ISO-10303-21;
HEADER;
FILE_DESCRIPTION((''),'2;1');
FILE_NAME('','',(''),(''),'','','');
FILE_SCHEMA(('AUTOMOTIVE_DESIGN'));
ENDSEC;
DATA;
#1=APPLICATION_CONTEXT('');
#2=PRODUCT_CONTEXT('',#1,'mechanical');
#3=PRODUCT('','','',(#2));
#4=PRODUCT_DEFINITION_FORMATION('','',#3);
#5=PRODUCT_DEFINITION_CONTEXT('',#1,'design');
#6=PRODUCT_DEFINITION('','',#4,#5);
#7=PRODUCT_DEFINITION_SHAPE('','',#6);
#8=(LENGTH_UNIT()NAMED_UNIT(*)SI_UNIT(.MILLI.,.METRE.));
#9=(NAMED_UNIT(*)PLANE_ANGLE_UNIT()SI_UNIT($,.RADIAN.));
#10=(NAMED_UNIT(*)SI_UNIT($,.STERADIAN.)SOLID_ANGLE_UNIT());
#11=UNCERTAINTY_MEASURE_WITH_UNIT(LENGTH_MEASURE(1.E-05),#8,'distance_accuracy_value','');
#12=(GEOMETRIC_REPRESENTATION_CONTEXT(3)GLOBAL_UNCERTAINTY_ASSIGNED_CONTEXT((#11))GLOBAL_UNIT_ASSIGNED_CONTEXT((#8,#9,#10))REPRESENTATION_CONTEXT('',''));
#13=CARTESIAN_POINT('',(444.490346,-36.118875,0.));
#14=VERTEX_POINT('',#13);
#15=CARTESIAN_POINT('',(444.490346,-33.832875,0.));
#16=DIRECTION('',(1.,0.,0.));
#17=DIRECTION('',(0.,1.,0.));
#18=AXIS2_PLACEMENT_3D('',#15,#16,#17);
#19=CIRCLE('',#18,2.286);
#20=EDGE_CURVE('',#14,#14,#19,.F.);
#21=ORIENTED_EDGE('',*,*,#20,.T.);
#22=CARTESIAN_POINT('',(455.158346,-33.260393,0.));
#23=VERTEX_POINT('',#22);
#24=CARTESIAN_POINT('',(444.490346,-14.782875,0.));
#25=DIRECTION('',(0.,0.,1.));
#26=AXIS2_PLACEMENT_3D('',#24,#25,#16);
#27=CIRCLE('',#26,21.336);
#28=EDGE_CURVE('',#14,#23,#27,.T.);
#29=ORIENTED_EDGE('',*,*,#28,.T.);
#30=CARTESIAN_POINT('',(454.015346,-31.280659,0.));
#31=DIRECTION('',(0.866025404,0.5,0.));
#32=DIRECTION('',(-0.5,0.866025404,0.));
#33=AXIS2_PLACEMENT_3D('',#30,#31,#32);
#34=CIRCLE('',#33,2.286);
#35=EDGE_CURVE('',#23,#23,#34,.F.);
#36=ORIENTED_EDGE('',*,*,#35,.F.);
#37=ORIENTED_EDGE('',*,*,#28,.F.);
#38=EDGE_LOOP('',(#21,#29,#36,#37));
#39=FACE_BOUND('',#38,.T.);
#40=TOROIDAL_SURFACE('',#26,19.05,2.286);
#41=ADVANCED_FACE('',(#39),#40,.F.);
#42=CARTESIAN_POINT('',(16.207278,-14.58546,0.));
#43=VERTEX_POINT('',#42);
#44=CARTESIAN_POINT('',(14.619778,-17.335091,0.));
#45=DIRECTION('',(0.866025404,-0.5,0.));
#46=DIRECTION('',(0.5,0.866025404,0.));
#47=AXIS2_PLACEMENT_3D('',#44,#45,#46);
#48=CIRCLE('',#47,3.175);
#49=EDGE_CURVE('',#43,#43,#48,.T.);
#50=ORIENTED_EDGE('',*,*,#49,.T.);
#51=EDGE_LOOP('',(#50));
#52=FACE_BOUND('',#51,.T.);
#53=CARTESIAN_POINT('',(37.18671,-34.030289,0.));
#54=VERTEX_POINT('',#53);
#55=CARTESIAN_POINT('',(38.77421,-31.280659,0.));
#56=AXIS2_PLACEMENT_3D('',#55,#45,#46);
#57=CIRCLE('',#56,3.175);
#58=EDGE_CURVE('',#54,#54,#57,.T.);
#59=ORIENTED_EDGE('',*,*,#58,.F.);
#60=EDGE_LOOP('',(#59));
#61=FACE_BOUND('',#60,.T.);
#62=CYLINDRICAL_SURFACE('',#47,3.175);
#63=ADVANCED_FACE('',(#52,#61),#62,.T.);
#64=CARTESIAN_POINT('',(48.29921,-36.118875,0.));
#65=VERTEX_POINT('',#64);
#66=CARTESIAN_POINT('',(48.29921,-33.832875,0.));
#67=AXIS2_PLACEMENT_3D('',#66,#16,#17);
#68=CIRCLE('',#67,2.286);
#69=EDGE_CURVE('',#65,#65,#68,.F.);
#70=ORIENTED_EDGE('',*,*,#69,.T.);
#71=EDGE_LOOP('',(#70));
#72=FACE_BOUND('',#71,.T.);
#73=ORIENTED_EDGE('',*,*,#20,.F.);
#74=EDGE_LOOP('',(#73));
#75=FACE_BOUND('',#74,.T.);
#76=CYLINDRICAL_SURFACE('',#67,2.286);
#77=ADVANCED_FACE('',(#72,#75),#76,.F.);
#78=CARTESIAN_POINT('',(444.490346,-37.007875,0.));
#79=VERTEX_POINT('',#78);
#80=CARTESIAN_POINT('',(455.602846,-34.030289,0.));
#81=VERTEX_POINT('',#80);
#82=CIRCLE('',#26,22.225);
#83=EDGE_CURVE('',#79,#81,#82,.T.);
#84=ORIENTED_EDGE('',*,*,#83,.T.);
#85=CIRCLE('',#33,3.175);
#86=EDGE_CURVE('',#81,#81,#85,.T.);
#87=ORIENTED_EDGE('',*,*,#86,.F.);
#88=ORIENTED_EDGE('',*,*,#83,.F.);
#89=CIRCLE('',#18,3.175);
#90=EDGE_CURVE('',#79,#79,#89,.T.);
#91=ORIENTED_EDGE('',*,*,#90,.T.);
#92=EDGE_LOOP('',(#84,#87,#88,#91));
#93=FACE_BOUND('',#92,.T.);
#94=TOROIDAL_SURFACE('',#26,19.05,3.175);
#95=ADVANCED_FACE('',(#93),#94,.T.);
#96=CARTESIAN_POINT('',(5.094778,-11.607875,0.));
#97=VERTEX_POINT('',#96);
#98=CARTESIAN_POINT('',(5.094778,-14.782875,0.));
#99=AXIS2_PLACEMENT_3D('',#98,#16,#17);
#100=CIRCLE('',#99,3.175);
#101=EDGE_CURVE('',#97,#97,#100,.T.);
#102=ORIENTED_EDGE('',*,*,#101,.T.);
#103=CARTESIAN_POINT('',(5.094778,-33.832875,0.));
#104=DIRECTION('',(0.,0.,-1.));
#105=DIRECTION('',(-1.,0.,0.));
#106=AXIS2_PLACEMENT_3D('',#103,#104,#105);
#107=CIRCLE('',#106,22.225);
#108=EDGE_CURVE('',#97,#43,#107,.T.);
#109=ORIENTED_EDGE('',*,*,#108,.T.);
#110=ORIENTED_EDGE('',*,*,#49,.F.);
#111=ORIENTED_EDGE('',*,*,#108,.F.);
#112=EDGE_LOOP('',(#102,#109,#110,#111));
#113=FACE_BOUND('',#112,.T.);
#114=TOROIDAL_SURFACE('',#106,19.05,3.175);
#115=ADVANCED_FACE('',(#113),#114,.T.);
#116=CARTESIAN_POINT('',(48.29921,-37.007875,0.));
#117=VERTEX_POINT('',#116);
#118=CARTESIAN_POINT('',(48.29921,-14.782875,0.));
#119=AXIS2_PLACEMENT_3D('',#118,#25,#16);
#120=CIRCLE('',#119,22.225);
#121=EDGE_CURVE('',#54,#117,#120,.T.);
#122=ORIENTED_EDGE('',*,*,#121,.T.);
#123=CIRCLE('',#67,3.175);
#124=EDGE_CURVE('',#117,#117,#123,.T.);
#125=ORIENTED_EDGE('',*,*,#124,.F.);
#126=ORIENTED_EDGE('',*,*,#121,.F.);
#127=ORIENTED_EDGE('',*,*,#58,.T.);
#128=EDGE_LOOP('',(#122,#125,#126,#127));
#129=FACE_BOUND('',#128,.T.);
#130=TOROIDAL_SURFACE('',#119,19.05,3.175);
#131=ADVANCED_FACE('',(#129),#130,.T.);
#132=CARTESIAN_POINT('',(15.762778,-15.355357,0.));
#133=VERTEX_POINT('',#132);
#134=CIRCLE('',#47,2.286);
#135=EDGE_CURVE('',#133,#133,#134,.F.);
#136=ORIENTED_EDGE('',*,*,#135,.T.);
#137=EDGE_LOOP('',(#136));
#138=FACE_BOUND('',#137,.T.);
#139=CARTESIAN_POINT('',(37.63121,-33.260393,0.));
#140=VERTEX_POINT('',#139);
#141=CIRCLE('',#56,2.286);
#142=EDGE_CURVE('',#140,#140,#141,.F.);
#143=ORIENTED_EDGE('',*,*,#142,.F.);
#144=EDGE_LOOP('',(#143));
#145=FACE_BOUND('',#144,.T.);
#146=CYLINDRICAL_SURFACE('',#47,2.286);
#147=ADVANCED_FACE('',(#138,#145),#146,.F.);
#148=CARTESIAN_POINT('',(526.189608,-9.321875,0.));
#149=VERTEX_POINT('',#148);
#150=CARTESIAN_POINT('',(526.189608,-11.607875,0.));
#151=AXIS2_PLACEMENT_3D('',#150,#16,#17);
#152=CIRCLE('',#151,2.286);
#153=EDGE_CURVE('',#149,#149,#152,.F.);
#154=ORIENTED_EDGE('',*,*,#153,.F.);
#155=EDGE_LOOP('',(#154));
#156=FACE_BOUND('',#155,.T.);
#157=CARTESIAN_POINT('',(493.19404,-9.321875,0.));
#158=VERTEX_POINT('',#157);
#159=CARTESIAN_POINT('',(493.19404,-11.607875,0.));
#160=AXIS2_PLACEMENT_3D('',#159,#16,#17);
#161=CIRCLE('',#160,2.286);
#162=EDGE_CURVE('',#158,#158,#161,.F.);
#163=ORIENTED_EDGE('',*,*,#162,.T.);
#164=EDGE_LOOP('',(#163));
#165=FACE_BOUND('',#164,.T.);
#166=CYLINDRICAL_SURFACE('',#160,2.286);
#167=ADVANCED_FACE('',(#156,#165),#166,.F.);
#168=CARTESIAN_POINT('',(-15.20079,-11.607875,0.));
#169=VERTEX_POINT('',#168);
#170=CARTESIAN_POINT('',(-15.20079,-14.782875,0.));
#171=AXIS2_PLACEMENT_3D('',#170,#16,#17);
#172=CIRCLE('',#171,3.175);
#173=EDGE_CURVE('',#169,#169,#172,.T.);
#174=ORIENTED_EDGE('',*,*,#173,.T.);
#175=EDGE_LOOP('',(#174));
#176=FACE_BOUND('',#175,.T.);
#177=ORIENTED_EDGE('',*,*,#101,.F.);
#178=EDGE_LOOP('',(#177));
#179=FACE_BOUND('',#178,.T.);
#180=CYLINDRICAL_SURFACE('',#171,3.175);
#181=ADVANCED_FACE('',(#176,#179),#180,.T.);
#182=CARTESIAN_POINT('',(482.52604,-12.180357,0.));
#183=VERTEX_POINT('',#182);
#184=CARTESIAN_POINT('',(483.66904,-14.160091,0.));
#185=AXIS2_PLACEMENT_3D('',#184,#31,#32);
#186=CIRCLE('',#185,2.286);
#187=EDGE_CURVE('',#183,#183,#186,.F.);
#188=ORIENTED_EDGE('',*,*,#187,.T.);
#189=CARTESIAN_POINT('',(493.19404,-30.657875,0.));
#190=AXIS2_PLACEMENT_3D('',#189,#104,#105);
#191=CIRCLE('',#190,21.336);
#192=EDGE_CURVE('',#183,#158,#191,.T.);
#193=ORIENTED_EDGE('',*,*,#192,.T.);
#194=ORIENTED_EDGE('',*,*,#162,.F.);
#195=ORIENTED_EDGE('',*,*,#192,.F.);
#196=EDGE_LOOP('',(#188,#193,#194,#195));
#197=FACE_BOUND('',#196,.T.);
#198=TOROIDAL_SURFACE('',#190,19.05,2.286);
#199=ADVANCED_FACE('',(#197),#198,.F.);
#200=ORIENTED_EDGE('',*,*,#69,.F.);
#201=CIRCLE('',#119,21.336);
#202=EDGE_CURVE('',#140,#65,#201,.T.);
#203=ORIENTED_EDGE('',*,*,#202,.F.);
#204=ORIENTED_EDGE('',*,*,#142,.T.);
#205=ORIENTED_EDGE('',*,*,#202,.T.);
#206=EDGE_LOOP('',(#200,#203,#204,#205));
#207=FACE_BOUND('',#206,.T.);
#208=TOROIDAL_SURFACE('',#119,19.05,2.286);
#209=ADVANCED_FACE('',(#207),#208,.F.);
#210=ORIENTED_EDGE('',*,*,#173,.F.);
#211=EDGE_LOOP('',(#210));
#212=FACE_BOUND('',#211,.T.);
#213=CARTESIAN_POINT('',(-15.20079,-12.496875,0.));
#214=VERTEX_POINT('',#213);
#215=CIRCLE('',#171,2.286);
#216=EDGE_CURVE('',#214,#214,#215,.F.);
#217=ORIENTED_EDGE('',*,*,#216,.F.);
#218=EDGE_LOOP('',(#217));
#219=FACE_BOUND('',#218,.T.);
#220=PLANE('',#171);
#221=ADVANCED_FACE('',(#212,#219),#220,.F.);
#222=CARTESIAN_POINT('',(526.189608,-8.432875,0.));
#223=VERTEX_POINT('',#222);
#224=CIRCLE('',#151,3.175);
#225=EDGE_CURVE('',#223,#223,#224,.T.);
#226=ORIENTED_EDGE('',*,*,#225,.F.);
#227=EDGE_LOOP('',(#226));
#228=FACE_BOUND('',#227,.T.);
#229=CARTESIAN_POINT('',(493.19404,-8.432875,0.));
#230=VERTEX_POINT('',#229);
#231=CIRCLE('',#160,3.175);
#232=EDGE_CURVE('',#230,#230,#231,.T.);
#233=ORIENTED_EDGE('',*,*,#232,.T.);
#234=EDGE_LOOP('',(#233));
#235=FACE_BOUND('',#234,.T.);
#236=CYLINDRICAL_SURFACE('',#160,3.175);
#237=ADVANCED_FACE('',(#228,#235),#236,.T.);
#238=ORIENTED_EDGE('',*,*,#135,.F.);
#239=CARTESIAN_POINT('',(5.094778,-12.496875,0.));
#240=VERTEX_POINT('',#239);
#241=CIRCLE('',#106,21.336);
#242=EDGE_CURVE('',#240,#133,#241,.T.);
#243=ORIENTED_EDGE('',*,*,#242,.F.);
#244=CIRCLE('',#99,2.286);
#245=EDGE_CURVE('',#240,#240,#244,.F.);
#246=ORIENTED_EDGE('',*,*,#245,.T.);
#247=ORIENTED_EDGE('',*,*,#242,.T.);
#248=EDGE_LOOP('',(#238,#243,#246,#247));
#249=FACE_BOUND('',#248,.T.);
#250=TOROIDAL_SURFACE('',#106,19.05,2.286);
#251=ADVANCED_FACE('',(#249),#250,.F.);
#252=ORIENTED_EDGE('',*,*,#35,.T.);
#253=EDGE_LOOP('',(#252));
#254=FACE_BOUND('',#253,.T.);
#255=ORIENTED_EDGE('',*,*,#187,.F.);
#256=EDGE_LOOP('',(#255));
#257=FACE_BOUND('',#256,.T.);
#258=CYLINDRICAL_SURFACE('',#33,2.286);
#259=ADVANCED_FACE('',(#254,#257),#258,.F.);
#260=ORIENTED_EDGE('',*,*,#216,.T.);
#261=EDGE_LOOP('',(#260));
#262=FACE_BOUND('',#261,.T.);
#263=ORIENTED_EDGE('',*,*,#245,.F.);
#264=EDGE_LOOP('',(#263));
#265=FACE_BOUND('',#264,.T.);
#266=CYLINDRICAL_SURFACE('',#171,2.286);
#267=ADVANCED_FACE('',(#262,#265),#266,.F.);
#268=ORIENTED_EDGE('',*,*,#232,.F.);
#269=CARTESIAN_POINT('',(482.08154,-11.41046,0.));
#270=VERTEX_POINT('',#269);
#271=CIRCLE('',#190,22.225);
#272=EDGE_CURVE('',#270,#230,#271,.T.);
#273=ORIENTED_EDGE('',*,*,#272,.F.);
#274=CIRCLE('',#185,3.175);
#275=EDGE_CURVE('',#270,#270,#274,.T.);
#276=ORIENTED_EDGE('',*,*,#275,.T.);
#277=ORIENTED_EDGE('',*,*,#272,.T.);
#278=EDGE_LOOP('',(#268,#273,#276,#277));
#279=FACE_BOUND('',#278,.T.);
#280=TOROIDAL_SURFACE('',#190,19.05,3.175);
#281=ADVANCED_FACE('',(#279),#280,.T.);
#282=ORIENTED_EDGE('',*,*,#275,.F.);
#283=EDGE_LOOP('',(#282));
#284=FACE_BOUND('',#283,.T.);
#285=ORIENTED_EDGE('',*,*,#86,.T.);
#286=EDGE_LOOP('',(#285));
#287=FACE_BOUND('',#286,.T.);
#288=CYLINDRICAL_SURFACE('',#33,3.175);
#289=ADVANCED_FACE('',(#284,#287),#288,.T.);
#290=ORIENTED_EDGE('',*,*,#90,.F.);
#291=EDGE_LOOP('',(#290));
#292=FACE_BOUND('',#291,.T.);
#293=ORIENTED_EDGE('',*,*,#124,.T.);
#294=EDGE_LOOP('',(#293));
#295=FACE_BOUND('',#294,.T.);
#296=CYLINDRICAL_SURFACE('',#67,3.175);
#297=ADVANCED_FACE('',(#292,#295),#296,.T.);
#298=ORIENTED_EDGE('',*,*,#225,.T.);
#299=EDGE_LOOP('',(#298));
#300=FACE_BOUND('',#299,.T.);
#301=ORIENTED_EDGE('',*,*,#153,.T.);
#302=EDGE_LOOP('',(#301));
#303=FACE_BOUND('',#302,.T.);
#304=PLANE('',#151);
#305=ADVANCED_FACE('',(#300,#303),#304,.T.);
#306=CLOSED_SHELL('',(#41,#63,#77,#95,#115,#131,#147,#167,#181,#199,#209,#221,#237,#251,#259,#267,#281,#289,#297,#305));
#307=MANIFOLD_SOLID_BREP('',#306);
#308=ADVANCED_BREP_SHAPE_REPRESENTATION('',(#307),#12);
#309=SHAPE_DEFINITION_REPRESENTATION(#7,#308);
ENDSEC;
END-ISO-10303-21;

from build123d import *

# Parameters (mm, degrees)
SKETCH2_R   = 3.175
SKETCH2_R_2 = 2.286


with BuildPart() as part:
    # Sweep1: sweep along a path in Sketch1
    with BuildLine(Plane.XY) as sweep1_path:
        Line((-15.200789542, -14.78287466), (5.094778342, -14.78287466))
        ThreePointArc((5.094778342, -14.78287466), (10.025281152, -15.431987669), (14.619778342, -17.335090718))
        Line((14.619778342, -17.335090718), (38.774210458, -31.280658602))
        ThreePointArc((38.774210458, -31.280658602), (43.368707649, -33.183761651), (48.299210458, -33.83287466))
        Line((48.299210458, -33.83287466), (444.490346227, -33.83287466))
        ThreePointArc((444.490346227, -33.83287466), (449.420849036, -33.183761651), (454.015346227, -31.280658602))
        Line((454.015346227, -31.280658602), (483.669039656, -14.160090718))
        ThreePointArc((483.669039656, -14.160090718), (488.263536847, -12.256987669), (493.194039656, -11.60787466))
        Line((493.194039656, -11.60787466), (526.189607541, -11.60787466))
    # Sketch2 → Sweep1 (sweep)
    with BuildSketch(Plane(origin=(-15.200789542, -14.78287466, 0), x_dir=(0, 0, -1), z_dir=(1, 0, 0))):
        Circle(SKETCH2_R)
        Circle(SKETCH2_R_2, mode=Mode.SUBTRACT)
    sweep(path=sweep1_path.line)


solid = part.part
